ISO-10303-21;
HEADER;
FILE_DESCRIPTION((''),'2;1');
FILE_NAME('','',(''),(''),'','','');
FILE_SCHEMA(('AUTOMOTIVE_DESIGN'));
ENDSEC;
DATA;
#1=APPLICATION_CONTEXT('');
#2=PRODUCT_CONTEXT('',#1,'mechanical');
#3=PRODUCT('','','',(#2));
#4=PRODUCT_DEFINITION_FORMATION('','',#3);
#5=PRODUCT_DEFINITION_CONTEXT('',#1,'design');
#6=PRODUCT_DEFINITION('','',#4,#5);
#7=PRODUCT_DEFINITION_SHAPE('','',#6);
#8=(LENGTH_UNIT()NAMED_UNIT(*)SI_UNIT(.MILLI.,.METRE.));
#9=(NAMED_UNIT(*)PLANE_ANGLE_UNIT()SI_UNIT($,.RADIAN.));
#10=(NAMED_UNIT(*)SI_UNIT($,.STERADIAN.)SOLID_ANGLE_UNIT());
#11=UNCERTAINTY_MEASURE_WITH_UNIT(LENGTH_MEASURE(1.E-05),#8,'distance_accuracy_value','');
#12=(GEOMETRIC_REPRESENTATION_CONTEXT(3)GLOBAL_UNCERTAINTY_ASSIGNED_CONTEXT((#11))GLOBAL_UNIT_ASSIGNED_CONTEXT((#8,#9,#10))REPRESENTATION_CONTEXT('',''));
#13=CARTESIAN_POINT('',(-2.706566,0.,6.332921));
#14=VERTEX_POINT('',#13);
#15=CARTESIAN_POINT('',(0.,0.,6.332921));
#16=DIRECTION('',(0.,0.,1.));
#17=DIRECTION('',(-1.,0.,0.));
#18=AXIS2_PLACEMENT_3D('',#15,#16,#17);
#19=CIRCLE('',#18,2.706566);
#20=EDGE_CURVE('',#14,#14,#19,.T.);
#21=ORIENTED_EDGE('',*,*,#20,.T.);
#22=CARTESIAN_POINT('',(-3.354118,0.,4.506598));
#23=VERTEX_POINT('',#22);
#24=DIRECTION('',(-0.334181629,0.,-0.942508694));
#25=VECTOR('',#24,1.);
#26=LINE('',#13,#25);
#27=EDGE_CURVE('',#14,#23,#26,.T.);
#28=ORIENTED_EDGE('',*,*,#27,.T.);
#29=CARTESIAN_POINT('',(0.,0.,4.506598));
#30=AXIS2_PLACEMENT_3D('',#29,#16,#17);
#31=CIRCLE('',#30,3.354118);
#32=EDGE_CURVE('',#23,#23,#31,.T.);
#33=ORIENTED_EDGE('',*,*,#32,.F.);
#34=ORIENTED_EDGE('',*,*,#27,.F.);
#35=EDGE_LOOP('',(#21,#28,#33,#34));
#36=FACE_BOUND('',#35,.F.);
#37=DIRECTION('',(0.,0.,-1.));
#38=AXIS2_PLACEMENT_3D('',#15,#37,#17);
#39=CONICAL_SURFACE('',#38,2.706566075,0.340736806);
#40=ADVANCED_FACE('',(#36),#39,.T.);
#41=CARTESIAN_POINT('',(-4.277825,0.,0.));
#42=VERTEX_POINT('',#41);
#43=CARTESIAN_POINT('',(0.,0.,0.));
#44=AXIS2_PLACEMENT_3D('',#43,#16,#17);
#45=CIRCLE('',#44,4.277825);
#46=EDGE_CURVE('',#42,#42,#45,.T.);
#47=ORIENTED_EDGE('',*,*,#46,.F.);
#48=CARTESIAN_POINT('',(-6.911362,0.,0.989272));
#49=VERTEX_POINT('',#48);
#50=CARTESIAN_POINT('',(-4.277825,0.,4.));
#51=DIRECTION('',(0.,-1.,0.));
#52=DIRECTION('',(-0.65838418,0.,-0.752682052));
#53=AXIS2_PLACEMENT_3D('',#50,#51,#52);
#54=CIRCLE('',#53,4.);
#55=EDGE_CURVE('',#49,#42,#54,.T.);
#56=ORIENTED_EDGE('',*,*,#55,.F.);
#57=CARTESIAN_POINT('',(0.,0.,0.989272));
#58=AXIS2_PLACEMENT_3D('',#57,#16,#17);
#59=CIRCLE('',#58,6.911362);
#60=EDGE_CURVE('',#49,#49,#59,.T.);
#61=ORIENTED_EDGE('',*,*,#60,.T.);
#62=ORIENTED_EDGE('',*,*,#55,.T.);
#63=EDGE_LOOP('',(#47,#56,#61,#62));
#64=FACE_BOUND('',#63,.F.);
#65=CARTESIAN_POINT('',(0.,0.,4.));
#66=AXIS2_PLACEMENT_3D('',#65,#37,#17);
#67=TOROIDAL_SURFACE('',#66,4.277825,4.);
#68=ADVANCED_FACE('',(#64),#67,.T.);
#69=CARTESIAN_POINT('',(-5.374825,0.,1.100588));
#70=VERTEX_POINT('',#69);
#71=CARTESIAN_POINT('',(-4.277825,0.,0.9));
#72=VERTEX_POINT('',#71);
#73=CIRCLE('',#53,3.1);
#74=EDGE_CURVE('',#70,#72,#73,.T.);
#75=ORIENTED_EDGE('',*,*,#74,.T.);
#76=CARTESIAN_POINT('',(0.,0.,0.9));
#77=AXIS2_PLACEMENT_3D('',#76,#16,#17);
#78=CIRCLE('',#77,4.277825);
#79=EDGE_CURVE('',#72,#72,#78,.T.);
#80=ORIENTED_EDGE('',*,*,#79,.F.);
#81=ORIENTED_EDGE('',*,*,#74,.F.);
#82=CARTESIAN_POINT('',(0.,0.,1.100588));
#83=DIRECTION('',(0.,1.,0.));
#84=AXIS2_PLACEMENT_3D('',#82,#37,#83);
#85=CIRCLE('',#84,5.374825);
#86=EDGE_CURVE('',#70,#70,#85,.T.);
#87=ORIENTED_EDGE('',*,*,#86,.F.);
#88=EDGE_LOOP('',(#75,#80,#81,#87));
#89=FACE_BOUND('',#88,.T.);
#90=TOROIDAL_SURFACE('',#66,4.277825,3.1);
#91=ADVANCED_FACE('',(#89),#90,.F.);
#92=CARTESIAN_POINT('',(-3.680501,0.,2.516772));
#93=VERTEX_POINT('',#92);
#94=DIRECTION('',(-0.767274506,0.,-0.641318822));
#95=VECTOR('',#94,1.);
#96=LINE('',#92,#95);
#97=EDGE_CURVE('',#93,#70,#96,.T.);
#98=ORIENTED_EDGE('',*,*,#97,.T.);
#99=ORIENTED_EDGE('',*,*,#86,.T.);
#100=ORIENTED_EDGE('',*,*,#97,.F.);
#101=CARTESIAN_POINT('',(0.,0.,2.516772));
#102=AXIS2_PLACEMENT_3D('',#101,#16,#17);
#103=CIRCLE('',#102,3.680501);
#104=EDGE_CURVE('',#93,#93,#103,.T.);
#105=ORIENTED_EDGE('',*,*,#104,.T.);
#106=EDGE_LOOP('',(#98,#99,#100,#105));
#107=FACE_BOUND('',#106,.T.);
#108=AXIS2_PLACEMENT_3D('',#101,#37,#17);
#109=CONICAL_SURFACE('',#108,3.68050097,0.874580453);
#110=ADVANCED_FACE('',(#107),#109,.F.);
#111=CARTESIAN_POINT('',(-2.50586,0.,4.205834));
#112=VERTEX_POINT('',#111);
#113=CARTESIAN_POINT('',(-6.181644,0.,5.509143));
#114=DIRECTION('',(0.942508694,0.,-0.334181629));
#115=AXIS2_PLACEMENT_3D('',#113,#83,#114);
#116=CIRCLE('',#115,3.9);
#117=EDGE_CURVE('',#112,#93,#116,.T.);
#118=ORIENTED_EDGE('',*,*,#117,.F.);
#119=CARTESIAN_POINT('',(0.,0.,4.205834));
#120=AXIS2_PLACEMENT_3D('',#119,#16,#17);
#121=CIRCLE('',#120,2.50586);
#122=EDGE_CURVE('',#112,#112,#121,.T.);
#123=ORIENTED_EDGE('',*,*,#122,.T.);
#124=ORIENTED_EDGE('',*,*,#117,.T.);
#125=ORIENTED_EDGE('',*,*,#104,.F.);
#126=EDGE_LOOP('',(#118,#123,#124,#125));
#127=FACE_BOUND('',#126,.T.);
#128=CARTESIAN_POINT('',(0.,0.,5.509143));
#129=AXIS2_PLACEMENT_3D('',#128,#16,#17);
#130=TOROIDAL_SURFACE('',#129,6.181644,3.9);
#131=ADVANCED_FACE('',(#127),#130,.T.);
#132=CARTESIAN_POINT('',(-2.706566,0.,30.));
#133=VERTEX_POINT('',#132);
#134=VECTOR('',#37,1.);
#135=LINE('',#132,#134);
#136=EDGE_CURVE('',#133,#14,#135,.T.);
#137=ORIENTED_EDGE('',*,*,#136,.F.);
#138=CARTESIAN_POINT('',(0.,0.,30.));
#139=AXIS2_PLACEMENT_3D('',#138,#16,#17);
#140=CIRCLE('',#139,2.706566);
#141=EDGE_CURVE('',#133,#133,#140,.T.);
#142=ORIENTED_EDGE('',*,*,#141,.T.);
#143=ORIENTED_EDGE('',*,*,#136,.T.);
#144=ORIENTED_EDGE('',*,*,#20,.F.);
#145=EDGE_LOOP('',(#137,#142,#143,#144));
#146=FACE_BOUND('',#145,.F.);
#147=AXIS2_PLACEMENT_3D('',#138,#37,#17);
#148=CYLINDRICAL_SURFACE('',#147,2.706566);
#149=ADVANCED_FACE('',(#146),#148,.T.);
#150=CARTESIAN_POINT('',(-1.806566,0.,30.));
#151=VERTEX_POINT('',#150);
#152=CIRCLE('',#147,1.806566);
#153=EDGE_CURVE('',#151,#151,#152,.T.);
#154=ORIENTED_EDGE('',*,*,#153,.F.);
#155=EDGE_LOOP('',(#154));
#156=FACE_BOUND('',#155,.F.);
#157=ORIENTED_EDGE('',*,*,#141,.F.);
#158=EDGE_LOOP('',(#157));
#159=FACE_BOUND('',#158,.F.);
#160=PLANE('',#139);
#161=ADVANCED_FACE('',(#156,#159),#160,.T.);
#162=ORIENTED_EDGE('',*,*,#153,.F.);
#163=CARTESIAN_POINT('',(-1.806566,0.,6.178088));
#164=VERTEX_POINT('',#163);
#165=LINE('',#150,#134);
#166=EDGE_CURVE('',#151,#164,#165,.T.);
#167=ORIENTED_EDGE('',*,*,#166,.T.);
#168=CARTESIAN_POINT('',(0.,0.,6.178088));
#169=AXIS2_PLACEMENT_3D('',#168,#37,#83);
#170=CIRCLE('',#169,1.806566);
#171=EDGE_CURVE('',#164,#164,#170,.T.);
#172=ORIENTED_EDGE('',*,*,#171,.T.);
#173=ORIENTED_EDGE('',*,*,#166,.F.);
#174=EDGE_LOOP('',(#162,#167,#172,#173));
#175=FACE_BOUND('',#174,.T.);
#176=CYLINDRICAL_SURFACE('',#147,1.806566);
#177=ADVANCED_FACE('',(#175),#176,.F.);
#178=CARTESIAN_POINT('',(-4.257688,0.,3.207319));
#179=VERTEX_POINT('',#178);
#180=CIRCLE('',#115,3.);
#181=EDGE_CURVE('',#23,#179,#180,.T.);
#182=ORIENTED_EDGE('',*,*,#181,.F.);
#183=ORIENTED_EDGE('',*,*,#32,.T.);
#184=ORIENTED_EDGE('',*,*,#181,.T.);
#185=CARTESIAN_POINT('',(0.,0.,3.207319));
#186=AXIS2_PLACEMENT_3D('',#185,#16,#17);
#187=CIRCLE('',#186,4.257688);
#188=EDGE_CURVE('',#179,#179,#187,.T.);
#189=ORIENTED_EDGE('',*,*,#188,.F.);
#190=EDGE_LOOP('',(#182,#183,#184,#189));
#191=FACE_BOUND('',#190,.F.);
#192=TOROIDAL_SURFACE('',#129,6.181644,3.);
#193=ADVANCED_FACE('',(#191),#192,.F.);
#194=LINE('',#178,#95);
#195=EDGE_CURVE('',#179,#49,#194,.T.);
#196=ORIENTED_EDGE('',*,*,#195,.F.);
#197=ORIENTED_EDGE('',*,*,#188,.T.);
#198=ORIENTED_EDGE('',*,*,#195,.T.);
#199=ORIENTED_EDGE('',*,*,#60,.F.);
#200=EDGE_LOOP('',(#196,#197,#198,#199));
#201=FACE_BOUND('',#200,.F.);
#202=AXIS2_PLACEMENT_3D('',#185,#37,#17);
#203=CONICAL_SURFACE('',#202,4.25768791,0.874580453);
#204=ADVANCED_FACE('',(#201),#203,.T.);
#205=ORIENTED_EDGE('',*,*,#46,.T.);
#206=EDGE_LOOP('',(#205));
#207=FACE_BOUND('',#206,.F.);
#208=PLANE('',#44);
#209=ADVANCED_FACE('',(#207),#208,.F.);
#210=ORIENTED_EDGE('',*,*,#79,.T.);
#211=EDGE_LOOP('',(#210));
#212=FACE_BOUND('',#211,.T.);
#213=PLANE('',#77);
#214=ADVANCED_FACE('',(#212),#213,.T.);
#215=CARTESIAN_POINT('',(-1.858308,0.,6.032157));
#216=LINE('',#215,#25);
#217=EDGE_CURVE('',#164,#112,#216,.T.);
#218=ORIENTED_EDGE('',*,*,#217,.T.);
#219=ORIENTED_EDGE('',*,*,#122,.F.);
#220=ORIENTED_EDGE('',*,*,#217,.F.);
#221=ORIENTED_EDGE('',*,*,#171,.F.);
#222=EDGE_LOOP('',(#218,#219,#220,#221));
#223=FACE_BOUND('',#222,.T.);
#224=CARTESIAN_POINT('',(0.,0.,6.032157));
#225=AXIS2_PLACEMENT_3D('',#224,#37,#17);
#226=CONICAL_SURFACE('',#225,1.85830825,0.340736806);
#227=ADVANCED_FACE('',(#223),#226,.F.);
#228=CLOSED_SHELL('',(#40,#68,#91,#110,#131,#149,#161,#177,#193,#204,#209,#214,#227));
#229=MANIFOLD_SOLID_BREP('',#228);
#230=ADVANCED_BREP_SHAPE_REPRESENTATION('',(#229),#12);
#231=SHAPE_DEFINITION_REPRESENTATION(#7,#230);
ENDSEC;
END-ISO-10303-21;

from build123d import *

# Parameters (mm, degrees)
F2_T = -0.9


with BuildPart() as f1:
    # F0 (on Front) → F1 (revolve)
    with BuildSketch(Plane.XZ):
        with BuildLine():
            Line((-4.2778253336, 0), (0, 0))
            Line((0, 0), (0, 30))
            Line((0, 30), (-2.7065660749, 30))
            Line((-2.7065660749, 30), (-2.7065660749, 6.3329207692))
            Line((-2.7065660749, 6.3329207692), (-3.3541182942, 4.5065977652))
            ThreePointArc((-3.3541182942, 4.5065977652), (-3.7186831825, 3.7963022764), (-4.2576879101, 3.2073191334))
            Line((-4.2576879101, 3.2073191334), (-6.9113620557, 0.9892717935))
            ThreePointArc((-6.9113620557, 0.9892717935), (-5.6844324525, 0.2554764772), (-4.2778253336, 0))
        make_face()
    revolve(axis=Axis((0, 0, 15), (0, 0, 1)))

    # F2
    f2_openings = [f1.faces().sort_by_distance(p)[0] for p in [
        (0, 0, 30),
    ]]
    offset(amount=F2_T, openings=f2_openings, kind=Kind.INTERSECTION)


solid = f1.part
